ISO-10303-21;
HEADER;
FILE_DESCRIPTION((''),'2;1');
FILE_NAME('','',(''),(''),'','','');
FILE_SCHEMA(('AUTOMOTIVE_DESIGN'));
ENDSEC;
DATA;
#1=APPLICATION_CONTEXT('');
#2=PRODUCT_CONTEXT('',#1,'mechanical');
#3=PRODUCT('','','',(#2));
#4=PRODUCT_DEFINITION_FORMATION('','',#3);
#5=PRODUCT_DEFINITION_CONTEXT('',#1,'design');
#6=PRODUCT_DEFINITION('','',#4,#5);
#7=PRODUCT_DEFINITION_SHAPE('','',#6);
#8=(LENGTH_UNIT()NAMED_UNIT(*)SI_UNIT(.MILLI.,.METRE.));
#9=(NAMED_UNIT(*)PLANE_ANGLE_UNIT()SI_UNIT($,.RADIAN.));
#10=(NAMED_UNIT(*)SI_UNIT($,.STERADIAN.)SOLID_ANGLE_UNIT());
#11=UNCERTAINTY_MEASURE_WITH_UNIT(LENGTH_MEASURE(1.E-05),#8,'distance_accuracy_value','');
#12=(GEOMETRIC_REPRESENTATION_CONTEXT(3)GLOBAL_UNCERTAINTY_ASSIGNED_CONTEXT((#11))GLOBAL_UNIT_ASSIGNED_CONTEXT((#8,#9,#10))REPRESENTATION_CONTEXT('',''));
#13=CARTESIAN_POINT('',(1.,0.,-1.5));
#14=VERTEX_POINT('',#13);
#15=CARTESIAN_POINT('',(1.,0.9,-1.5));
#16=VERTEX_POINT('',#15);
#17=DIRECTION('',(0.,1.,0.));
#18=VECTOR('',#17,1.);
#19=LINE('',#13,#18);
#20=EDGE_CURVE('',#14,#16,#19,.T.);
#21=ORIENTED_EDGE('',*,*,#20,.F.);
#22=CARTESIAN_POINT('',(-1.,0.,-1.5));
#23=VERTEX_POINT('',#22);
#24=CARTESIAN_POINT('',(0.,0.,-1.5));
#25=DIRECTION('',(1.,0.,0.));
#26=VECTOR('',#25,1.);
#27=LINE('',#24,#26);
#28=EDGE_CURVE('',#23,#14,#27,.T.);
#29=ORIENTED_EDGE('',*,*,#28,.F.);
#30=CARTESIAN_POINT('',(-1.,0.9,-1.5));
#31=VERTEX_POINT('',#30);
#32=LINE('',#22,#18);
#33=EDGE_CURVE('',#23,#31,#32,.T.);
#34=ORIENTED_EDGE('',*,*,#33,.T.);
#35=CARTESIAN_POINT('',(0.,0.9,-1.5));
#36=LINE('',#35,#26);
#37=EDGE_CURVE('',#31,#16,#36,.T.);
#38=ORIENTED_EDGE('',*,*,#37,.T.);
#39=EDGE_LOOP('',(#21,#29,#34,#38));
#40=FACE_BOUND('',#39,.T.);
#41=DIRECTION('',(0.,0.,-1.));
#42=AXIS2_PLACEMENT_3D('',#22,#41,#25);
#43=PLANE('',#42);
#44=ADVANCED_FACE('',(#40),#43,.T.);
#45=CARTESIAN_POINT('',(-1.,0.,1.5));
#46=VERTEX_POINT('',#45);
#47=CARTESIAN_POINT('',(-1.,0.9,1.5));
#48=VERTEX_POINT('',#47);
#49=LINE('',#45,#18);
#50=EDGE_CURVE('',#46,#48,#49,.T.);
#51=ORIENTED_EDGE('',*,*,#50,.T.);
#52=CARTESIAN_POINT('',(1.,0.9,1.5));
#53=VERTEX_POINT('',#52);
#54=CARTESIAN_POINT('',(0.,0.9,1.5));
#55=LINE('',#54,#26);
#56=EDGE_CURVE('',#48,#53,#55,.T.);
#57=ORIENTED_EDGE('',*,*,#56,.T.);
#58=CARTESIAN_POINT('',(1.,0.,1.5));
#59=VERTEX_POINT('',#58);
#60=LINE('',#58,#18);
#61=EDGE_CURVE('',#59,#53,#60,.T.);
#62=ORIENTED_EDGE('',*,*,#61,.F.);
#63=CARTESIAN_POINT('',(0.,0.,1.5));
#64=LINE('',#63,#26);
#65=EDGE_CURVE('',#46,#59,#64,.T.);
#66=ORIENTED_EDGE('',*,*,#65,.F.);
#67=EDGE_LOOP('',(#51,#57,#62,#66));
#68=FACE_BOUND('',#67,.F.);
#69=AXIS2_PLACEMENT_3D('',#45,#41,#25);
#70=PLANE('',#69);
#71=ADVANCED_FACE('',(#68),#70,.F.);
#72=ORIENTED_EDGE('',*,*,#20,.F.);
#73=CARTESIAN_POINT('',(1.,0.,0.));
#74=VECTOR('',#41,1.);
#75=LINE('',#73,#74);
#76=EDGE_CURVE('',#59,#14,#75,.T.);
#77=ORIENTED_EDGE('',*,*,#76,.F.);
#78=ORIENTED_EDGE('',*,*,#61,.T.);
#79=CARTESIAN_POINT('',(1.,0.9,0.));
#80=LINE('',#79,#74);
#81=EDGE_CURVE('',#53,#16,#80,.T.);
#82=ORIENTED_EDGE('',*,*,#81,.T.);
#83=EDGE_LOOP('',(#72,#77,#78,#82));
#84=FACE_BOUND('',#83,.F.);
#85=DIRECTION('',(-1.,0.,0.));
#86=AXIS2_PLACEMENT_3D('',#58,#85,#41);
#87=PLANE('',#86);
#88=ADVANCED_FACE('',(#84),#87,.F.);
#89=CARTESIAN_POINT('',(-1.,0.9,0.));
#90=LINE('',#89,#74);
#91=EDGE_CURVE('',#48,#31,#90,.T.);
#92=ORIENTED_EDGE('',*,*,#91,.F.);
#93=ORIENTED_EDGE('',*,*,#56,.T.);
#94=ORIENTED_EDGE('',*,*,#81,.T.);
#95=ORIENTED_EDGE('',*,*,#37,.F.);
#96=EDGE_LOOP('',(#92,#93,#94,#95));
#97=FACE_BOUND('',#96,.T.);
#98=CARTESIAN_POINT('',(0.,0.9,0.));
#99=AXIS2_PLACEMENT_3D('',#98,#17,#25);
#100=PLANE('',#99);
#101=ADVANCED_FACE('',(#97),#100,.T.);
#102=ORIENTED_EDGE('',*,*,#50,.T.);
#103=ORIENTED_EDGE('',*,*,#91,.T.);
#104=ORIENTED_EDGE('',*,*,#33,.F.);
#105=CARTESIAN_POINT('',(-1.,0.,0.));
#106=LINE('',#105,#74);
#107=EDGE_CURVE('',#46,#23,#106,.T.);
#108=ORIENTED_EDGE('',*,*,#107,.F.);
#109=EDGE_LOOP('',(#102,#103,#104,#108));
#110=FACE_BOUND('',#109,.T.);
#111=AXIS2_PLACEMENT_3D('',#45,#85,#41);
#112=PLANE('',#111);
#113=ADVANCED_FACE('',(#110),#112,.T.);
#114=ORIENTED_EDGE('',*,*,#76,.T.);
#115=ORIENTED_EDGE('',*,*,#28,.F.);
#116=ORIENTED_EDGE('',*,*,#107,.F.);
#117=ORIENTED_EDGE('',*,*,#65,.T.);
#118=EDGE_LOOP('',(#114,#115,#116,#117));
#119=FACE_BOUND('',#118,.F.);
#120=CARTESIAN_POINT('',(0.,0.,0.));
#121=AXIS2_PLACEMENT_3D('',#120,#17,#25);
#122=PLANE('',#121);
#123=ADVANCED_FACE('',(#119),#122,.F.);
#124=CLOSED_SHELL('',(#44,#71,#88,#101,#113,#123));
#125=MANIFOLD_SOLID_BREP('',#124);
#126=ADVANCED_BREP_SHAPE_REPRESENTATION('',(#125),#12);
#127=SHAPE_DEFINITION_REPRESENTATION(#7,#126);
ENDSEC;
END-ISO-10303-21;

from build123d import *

# Parameters (mm, degrees)
SKETCH1_W           = 2
SKETCH1_H           = 3
BOSS_EXTRUDE1_DEPTH = 0.9


with BuildPart() as part:
    # Sketch1 → Boss-Extrude1 (new body)
    with BuildSketch(Plane(origin=(0, 0, 0), x_dir=(1, 0, 0), z_dir=(0, 1, 0))):
        Rectangle(SKETCH1_W, SKETCH1_H)
    extrude(amount=BOSS_EXTRUDE1_DEPTH)


solid = part.part
